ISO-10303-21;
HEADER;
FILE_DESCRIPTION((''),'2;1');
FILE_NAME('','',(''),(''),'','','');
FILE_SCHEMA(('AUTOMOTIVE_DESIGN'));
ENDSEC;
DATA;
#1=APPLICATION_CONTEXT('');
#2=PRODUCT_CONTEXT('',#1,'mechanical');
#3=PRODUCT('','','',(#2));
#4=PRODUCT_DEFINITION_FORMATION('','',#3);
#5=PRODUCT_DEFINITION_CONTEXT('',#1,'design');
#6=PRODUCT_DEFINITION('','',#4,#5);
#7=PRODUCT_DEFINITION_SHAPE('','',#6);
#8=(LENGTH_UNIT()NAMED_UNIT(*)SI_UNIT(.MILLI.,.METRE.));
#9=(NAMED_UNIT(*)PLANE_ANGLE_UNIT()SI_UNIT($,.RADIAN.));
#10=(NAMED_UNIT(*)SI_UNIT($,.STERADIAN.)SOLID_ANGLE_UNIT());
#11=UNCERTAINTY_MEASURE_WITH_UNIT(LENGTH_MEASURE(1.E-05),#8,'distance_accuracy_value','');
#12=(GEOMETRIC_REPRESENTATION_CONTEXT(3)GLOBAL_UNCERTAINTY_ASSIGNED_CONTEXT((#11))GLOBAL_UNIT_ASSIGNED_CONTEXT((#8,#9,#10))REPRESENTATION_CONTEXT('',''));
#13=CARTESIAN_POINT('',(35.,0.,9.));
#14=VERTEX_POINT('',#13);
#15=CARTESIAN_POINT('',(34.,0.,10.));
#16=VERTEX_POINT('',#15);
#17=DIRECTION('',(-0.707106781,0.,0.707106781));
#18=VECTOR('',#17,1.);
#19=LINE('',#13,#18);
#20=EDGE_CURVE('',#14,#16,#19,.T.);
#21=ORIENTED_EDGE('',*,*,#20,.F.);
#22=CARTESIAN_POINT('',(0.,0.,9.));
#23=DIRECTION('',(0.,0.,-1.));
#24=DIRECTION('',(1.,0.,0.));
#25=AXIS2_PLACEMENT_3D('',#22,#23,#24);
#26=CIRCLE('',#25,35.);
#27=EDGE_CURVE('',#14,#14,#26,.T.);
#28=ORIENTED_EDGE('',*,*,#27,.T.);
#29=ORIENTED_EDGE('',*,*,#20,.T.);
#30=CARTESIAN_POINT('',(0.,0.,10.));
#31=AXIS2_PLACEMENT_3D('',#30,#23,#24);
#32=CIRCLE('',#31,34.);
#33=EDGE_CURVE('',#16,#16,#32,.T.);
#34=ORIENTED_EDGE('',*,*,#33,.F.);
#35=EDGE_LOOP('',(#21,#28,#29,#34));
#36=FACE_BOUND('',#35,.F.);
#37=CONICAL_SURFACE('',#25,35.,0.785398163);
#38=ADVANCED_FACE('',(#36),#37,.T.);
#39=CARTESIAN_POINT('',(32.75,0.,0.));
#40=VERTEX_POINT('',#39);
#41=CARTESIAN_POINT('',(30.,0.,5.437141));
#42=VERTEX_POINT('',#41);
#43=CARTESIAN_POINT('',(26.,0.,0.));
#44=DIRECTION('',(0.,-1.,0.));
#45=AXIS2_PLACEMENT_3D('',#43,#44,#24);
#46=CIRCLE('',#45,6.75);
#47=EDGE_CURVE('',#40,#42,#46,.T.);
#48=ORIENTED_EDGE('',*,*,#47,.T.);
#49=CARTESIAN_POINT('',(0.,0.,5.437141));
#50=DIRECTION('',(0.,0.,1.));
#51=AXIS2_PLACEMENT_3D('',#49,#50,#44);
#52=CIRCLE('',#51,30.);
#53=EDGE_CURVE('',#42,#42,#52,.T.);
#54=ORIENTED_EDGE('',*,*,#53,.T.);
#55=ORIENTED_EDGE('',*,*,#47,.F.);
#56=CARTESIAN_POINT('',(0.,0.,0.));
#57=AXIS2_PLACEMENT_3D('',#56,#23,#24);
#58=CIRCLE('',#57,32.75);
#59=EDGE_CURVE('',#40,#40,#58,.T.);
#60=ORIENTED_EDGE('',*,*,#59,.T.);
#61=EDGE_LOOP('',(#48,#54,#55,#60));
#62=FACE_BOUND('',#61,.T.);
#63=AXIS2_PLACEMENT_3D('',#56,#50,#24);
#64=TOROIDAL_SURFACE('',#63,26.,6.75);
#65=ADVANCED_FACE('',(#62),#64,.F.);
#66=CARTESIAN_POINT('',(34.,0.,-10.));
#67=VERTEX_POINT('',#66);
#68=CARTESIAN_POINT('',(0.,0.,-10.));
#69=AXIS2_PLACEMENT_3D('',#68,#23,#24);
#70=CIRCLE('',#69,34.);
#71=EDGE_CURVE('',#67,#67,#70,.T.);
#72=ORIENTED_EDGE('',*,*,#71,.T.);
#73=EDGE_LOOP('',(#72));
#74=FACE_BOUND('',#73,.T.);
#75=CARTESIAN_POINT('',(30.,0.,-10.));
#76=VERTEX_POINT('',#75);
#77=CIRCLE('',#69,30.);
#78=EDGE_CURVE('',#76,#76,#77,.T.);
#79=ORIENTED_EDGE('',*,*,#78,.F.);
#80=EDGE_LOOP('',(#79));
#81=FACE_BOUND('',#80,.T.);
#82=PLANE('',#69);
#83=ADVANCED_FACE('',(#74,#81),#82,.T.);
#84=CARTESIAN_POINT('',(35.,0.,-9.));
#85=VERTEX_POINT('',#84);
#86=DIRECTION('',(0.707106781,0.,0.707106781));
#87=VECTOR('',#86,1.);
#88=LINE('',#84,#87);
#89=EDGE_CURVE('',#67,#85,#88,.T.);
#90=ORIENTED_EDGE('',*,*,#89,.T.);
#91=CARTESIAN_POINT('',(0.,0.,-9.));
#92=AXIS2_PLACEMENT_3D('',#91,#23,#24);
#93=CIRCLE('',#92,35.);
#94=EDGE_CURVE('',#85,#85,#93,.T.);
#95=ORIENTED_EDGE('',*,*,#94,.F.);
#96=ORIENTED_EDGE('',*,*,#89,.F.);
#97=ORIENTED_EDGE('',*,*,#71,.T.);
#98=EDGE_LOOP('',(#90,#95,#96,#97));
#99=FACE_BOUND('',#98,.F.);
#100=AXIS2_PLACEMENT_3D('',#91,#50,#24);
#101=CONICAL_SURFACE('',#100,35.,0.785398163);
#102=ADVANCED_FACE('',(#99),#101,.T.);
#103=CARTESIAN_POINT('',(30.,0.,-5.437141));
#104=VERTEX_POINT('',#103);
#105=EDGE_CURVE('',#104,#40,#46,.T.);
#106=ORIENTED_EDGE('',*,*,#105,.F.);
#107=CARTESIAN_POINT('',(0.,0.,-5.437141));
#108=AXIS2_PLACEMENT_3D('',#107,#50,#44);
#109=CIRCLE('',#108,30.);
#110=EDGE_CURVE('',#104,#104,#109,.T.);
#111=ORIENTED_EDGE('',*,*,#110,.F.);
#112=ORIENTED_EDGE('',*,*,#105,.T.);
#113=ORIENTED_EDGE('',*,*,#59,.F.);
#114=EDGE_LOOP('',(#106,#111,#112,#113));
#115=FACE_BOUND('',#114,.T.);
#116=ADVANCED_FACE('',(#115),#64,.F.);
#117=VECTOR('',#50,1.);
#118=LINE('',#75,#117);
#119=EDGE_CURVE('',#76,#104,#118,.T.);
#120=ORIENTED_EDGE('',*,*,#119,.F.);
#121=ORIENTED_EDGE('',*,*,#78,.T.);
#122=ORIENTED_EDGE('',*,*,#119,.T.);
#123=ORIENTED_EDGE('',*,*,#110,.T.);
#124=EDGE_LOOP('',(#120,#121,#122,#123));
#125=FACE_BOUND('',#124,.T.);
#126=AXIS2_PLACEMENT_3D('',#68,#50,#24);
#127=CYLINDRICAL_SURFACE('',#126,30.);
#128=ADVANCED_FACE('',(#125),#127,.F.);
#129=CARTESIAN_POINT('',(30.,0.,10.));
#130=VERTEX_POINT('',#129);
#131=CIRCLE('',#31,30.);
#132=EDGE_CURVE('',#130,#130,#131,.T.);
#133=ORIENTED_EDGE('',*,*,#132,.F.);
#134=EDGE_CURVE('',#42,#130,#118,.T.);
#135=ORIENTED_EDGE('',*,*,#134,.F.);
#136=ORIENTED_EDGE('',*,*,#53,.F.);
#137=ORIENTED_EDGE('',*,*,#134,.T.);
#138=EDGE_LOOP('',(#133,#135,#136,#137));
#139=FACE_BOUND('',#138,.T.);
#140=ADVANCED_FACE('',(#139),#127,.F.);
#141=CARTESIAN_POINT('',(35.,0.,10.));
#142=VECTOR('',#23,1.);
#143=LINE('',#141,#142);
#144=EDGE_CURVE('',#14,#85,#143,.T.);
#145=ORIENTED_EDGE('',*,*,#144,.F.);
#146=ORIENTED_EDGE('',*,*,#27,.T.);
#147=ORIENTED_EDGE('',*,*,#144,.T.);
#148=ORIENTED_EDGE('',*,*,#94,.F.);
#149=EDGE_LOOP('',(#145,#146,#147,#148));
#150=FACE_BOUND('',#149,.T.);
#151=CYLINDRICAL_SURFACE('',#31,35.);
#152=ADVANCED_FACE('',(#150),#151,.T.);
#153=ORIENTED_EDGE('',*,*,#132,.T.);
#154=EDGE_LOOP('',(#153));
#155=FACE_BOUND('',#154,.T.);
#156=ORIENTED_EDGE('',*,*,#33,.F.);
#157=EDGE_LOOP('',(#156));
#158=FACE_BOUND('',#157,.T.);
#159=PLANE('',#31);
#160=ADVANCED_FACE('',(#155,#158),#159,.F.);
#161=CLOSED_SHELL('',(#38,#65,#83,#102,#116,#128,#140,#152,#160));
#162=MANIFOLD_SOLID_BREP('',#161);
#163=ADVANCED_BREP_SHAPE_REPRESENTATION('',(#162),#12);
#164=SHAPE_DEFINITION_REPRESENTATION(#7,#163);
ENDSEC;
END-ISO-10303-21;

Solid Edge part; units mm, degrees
sketch "Sketch1" plane through (0, 0, 0) normal (0, -1, 0) x (1, 0, 0)
  line L0 (30, -10) -> (30, 10)
  line L1 (30, 10) -> (35, 10)
  line L2 (35, 10) -> (35, -10)
  line L3 (35, -10) -> (30, -10)
  dimension "D1" = 5
  dimension "D2" = 20
revolve "RevolvedProtrusion1" add sketch "Sketch1" angle 360 about axis through (0, 0, 54) along (0, 0, -1)
sketch "Sketch2" plane through (0, 0, 0) normal (0, -1, 0) x (1, 0, 0)
  circle A0 centre (26, 0) radius 6.75
  dimension "D1" = 26
  dimension "D2" = 13.5
revolve "RevolvedCutout1" cut sketch "Sketch2" angle 360 about axis through (0, 0, 54) along (0, 0, -1)
chamfer "Chamfer1" distance 1 angle 45 2 edges at (-35, 0, 10) (-35, 0, -10)
properties material "Polyethylene, low density"
